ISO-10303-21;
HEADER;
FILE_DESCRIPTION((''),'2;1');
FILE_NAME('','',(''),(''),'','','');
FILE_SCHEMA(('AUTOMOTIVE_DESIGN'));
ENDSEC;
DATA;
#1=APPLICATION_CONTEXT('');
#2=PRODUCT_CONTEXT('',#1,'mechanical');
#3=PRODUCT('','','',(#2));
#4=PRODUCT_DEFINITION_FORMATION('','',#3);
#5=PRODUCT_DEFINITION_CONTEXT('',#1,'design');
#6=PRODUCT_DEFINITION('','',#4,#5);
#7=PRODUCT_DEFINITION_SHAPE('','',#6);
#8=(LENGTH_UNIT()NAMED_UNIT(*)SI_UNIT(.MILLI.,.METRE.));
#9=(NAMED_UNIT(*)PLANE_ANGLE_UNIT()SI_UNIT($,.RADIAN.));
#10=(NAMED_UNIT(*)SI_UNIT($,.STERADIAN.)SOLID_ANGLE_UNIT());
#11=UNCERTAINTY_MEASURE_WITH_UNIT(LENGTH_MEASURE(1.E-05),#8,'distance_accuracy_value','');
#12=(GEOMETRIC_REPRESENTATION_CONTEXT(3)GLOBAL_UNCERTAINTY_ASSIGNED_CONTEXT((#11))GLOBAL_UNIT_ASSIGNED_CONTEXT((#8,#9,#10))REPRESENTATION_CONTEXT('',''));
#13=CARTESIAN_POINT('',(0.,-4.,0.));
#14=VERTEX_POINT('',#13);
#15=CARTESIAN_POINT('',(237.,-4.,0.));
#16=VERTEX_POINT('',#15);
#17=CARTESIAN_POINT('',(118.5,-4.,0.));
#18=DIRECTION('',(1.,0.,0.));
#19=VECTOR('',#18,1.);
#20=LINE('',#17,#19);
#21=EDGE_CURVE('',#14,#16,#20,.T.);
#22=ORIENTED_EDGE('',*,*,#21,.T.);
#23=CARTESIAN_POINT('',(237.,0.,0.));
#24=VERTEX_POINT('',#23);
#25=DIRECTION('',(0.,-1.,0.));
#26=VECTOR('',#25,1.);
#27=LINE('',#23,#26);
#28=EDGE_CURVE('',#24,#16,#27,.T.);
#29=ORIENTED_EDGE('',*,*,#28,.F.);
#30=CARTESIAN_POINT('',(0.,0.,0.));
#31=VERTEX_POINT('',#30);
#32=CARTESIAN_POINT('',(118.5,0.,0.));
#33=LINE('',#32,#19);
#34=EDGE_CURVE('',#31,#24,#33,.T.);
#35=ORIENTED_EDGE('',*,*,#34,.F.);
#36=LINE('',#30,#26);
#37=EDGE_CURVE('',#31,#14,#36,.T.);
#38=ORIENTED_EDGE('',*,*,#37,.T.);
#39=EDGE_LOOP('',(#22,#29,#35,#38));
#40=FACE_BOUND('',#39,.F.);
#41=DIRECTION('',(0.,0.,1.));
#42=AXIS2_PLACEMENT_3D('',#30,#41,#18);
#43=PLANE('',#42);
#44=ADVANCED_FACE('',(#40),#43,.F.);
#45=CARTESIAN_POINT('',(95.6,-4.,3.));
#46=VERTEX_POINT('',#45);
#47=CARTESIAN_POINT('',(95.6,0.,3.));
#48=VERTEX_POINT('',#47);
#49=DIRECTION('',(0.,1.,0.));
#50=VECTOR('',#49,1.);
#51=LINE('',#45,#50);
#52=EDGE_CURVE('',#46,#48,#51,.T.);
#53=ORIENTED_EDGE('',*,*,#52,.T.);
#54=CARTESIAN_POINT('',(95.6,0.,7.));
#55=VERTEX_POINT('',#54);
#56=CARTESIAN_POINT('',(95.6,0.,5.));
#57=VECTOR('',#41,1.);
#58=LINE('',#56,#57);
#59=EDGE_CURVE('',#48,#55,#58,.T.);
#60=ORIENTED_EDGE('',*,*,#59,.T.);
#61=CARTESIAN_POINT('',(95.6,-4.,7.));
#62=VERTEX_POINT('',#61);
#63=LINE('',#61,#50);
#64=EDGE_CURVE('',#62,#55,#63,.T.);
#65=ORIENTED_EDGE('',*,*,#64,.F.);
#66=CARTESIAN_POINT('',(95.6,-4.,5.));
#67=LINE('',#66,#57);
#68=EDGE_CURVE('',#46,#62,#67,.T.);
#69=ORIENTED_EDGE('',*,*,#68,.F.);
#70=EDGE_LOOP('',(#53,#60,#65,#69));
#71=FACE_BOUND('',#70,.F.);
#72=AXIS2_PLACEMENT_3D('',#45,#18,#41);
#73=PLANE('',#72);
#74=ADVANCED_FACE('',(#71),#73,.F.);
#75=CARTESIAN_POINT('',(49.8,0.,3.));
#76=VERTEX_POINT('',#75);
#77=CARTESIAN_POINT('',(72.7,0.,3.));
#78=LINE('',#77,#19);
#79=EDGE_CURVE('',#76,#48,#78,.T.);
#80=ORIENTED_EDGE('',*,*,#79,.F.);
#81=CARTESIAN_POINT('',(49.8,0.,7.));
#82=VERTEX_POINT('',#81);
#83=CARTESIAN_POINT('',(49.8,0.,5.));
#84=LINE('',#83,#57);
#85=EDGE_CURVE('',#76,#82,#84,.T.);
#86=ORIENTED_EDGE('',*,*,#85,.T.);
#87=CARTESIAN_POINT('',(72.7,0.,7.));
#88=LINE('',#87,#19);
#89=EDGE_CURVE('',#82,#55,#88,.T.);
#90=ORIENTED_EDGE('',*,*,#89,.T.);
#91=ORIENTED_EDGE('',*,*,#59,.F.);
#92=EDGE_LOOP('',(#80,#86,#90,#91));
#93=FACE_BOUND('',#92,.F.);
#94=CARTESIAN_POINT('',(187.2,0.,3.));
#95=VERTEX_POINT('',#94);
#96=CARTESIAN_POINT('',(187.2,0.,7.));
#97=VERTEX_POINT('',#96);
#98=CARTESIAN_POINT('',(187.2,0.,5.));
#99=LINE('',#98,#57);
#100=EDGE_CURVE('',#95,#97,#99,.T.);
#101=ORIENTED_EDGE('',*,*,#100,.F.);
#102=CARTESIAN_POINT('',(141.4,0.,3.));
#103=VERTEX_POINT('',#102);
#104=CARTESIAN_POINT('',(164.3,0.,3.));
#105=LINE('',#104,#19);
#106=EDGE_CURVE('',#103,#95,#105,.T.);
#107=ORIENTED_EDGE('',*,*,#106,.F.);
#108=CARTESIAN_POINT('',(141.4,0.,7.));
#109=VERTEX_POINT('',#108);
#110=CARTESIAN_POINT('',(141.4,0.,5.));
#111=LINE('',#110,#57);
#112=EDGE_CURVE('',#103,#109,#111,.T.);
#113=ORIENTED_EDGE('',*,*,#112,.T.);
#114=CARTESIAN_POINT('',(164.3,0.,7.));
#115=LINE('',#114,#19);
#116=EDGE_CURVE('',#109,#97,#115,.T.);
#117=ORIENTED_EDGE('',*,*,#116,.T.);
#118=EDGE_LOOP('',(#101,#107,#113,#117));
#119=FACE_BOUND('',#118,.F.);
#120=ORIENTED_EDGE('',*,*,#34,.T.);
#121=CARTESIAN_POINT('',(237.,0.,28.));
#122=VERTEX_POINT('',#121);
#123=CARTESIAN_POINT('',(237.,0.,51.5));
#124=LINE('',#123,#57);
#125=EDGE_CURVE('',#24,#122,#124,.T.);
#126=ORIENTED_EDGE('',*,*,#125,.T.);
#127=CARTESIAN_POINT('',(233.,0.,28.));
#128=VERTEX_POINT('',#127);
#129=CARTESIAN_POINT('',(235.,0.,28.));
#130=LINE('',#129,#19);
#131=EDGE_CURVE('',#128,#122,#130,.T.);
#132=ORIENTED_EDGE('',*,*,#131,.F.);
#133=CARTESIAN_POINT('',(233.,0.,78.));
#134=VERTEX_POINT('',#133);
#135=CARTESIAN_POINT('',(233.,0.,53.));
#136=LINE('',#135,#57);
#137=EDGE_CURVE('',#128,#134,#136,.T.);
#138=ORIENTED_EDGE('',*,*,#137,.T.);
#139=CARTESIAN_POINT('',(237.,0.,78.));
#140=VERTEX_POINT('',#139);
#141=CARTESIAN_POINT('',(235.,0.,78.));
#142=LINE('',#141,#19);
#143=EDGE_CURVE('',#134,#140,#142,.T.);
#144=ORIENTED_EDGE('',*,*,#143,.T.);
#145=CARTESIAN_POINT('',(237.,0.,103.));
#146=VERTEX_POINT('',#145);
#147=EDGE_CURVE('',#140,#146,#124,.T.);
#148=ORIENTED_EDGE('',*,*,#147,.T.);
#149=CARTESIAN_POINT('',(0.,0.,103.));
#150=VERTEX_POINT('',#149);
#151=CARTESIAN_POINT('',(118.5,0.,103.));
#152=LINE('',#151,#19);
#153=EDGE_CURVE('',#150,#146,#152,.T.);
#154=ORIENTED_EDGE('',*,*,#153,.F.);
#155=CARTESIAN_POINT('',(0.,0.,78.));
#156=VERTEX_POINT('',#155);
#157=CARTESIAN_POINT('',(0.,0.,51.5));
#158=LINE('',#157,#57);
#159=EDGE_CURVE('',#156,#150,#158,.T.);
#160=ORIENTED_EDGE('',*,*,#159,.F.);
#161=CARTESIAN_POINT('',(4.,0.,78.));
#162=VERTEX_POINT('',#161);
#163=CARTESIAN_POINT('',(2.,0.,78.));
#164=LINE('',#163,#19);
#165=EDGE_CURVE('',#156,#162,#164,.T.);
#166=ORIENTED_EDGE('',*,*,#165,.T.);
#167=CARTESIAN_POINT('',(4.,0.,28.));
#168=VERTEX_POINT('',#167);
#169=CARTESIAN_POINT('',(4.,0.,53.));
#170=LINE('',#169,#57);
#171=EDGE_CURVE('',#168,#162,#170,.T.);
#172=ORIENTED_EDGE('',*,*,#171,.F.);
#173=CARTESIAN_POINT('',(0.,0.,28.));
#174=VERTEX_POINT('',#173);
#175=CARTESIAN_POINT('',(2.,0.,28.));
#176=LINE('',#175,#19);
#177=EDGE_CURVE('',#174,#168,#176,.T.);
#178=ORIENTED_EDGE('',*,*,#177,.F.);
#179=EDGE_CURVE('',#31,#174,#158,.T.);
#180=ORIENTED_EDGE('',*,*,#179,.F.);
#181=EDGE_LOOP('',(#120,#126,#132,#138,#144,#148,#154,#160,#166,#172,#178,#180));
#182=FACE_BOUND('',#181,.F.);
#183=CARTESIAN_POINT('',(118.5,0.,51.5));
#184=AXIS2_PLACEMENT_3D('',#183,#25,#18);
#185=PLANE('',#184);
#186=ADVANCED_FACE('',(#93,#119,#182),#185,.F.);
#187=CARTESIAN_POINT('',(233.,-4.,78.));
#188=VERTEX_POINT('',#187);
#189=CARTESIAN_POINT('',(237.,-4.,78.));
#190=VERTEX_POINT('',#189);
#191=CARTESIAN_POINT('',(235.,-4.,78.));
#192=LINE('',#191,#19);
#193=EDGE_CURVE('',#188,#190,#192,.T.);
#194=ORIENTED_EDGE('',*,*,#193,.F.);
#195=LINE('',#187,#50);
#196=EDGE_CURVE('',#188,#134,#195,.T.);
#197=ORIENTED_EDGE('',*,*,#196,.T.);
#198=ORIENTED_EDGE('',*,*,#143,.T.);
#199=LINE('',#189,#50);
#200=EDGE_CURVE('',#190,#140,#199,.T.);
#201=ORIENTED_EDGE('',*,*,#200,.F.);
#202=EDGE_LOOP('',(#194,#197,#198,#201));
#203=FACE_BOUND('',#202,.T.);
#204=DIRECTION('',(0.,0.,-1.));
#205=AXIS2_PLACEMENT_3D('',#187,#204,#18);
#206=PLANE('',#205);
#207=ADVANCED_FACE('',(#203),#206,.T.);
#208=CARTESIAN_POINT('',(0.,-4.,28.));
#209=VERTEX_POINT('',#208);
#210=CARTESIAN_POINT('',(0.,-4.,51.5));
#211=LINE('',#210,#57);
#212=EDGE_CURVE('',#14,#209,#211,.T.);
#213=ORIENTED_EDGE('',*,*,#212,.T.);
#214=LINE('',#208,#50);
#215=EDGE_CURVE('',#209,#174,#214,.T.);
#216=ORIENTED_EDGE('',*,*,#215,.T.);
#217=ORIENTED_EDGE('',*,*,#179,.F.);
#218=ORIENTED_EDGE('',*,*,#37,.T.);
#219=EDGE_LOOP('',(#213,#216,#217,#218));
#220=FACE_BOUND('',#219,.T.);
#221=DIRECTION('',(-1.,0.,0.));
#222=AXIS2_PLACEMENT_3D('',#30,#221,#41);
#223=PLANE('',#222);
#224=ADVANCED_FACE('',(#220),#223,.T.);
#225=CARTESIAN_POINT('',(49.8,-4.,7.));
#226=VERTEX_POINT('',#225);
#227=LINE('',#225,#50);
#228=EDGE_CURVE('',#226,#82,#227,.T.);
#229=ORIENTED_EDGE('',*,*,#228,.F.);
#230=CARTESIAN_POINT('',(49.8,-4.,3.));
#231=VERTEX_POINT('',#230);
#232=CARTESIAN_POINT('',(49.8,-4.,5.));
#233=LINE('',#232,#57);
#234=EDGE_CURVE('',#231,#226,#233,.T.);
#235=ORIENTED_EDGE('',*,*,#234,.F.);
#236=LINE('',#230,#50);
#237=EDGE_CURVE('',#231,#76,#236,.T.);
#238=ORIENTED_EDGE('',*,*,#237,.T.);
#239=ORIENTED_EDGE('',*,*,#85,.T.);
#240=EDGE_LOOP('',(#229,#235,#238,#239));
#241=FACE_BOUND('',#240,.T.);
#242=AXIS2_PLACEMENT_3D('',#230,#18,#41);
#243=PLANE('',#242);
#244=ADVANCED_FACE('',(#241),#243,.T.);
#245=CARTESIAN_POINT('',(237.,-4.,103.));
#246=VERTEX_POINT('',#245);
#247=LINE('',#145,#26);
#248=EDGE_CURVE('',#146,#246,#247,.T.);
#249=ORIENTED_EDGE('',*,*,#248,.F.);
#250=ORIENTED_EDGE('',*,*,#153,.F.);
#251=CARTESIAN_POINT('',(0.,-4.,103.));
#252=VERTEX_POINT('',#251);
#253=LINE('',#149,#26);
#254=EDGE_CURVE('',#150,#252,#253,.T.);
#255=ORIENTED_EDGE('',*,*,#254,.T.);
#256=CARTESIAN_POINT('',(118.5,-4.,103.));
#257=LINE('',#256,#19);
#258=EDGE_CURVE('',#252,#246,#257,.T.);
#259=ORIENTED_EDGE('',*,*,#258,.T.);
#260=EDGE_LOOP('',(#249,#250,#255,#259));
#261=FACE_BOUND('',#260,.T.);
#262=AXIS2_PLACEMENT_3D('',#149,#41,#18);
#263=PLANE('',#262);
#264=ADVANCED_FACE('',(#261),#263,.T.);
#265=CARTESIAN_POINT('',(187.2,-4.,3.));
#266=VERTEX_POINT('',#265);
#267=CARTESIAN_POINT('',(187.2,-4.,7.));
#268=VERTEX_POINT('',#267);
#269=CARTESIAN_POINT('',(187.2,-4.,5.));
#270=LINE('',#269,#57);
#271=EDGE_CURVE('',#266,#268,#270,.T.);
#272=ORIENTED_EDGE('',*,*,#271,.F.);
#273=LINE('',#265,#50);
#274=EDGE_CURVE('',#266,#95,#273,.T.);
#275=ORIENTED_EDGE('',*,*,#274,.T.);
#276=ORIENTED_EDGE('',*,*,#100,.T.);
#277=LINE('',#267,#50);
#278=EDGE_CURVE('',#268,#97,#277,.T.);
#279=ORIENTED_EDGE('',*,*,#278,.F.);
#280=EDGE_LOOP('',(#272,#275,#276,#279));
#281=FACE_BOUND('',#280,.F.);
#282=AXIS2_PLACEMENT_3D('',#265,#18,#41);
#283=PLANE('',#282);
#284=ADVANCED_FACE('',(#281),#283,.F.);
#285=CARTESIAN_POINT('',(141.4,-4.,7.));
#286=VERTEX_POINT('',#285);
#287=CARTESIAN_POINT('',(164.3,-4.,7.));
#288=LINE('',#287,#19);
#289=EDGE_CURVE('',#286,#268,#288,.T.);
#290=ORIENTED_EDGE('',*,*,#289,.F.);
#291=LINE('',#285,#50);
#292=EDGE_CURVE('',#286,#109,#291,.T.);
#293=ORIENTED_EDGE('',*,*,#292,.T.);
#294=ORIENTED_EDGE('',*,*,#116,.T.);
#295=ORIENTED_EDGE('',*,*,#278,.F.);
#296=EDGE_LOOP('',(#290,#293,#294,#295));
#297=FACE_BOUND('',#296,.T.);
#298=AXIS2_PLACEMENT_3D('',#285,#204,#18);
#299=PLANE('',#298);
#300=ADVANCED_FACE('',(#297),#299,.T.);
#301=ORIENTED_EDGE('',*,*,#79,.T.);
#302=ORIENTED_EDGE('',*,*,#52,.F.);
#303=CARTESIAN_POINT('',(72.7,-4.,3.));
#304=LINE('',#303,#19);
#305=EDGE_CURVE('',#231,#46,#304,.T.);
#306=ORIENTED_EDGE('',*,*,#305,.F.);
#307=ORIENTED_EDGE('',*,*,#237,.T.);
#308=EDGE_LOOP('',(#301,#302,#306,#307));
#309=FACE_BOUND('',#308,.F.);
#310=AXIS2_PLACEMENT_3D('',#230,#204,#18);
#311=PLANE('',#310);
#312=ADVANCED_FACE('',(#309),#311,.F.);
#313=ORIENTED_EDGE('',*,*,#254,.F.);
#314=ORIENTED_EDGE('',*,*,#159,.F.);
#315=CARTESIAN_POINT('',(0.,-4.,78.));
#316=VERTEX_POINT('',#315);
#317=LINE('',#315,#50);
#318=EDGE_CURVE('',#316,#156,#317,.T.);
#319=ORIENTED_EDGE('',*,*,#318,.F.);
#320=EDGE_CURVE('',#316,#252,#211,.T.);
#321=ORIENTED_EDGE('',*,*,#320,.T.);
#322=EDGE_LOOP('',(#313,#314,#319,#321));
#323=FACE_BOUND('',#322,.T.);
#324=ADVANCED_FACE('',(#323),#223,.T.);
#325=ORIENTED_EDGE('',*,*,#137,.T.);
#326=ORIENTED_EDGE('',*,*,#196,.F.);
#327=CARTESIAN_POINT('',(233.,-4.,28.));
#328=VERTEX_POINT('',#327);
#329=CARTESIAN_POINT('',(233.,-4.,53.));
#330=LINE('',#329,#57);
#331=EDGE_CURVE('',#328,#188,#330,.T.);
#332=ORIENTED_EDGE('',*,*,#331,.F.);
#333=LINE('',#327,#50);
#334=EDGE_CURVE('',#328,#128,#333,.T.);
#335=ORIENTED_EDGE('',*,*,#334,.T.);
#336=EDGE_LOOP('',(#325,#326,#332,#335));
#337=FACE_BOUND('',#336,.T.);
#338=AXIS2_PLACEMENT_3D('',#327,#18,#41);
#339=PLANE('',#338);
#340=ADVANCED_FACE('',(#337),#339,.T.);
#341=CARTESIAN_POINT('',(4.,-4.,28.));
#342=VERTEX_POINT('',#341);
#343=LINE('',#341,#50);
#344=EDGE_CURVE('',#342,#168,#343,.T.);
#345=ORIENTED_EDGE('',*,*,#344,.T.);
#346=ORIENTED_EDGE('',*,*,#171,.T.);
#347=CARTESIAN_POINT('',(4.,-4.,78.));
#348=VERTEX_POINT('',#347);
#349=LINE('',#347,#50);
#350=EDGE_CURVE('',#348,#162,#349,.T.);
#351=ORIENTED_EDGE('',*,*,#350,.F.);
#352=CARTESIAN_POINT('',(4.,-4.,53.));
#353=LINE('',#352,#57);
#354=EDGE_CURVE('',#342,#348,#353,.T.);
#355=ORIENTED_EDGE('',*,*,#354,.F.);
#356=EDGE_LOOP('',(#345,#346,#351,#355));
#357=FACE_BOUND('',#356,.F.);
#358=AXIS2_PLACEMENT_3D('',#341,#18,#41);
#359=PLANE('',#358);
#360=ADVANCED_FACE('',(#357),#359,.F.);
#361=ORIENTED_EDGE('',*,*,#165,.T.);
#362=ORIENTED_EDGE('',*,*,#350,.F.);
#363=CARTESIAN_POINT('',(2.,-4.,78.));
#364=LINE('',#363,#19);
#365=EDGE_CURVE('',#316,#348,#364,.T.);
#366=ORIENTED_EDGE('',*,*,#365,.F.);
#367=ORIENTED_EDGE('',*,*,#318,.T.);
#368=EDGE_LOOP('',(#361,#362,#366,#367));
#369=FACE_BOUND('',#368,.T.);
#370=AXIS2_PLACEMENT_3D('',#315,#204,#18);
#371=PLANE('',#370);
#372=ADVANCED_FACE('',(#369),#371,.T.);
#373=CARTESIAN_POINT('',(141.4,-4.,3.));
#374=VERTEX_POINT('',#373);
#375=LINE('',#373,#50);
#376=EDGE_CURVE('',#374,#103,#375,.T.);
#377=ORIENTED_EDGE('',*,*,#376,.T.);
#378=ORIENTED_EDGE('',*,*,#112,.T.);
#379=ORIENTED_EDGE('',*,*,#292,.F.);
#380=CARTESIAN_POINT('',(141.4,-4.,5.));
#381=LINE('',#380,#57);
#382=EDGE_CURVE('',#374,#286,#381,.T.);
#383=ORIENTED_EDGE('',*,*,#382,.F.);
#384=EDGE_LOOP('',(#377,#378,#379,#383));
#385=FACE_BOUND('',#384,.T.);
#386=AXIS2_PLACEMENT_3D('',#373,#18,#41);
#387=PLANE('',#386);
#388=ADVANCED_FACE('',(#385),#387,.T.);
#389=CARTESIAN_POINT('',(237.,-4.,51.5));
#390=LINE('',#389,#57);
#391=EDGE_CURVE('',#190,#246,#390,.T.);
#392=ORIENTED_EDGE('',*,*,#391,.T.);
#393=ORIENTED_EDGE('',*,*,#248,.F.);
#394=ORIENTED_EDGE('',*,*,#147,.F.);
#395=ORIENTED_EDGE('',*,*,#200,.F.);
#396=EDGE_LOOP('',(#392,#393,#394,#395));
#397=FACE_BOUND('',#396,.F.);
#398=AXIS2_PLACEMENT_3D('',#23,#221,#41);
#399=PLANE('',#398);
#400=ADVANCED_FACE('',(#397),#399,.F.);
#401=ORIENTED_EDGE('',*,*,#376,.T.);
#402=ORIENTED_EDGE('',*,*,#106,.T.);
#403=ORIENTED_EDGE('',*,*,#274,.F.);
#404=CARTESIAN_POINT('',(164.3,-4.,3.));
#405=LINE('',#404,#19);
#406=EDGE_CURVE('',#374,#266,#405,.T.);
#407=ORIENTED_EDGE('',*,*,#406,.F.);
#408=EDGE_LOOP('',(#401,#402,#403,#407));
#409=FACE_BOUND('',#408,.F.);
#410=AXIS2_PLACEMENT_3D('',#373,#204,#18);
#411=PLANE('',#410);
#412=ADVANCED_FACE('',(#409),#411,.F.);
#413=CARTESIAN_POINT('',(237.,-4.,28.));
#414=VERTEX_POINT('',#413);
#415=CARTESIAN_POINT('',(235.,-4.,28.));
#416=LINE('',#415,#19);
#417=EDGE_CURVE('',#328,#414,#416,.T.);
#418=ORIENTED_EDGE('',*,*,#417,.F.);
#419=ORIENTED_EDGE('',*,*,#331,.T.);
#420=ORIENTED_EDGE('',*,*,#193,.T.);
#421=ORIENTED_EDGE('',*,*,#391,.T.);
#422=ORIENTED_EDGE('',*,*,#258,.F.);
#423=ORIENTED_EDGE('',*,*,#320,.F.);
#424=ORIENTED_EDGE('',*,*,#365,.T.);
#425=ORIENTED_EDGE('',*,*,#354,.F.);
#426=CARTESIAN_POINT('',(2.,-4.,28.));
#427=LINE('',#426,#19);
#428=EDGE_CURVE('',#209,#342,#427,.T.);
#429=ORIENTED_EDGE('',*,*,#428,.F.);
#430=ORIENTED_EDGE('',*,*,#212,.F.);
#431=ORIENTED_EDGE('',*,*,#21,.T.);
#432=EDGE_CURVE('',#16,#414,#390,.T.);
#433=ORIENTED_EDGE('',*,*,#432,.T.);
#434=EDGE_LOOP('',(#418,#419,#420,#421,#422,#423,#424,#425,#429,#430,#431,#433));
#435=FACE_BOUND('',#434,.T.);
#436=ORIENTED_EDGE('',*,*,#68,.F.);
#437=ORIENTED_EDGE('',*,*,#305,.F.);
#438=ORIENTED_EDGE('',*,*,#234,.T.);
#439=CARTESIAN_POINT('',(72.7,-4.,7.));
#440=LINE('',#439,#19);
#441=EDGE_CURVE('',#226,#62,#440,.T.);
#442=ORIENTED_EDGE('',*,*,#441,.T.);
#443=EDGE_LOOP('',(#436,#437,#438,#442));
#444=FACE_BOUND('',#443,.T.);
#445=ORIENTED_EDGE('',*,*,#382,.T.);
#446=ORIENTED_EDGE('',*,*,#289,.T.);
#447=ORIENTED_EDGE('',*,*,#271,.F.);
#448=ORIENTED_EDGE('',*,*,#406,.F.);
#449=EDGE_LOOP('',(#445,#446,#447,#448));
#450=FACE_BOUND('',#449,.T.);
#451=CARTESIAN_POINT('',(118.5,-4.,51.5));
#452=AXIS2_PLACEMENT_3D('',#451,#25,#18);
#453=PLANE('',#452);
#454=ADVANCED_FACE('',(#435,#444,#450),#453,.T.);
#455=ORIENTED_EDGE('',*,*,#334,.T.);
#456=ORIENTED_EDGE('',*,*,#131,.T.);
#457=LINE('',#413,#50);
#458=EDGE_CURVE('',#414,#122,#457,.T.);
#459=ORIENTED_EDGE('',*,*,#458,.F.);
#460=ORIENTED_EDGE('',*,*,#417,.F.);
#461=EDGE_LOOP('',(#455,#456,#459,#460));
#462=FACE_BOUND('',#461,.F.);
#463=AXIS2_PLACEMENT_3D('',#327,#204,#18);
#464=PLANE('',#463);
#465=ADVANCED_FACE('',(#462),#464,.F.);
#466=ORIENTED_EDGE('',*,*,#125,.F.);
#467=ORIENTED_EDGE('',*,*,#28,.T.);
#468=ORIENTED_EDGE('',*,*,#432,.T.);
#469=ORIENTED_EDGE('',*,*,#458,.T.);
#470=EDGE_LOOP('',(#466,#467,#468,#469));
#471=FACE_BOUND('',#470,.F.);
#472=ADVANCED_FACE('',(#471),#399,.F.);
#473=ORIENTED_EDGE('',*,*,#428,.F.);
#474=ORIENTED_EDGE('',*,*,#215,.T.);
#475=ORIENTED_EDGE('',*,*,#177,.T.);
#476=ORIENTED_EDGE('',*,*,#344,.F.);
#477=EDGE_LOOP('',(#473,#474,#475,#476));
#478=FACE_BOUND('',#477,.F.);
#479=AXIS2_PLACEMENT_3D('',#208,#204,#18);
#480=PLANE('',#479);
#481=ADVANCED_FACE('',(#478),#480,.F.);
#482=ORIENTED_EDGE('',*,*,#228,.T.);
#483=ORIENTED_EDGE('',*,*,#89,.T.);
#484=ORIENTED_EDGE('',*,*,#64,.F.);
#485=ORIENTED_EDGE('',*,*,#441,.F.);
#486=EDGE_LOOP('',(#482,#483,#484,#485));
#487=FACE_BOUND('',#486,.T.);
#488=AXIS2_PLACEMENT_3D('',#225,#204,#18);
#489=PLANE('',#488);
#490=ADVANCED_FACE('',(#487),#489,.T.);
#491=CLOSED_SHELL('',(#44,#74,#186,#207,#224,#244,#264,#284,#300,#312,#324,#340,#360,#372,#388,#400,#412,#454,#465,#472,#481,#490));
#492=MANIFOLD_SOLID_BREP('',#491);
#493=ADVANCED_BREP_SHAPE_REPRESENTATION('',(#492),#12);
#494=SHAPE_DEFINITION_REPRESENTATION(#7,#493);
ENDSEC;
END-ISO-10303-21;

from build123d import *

# Parameters (mm, degrees)
F0_W     = 237
F0_H     = 103
F1_DEPTH = 4
F2_W     = 45.8
F2_H     = 4
F2_W_2   = 4
F2_H_2   = 50
F3_DEPTH = 4


with BuildPart() as f1:
    # F0 (on Front) → F1 (new body)
    with BuildSketch(Plane.XZ):
        with Locations((118.5, 51.5)):
            Rectangle(F0_W, F0_H)
    extrude(amount=F1_DEPTH)

    # F2 (on face) → F3 (cut, through all)
    with BuildSketch(Plane.XZ.offset(4)):
        with Locations((72.7, 5)):
            Rectangle(F2_W, F2_H)
        with Locations((164.3, 5)):
            Rectangle(F2_W, F2_H)
        with Locations((2, 53)):
            Rectangle(F2_W_2, F2_H_2)
        with Locations((235, 53)):
            Rectangle(F2_W_2, F2_H_2)
    extrude(amount=-F3_DEPTH, mode=Mode.SUBTRACT)


solid = f1.part
